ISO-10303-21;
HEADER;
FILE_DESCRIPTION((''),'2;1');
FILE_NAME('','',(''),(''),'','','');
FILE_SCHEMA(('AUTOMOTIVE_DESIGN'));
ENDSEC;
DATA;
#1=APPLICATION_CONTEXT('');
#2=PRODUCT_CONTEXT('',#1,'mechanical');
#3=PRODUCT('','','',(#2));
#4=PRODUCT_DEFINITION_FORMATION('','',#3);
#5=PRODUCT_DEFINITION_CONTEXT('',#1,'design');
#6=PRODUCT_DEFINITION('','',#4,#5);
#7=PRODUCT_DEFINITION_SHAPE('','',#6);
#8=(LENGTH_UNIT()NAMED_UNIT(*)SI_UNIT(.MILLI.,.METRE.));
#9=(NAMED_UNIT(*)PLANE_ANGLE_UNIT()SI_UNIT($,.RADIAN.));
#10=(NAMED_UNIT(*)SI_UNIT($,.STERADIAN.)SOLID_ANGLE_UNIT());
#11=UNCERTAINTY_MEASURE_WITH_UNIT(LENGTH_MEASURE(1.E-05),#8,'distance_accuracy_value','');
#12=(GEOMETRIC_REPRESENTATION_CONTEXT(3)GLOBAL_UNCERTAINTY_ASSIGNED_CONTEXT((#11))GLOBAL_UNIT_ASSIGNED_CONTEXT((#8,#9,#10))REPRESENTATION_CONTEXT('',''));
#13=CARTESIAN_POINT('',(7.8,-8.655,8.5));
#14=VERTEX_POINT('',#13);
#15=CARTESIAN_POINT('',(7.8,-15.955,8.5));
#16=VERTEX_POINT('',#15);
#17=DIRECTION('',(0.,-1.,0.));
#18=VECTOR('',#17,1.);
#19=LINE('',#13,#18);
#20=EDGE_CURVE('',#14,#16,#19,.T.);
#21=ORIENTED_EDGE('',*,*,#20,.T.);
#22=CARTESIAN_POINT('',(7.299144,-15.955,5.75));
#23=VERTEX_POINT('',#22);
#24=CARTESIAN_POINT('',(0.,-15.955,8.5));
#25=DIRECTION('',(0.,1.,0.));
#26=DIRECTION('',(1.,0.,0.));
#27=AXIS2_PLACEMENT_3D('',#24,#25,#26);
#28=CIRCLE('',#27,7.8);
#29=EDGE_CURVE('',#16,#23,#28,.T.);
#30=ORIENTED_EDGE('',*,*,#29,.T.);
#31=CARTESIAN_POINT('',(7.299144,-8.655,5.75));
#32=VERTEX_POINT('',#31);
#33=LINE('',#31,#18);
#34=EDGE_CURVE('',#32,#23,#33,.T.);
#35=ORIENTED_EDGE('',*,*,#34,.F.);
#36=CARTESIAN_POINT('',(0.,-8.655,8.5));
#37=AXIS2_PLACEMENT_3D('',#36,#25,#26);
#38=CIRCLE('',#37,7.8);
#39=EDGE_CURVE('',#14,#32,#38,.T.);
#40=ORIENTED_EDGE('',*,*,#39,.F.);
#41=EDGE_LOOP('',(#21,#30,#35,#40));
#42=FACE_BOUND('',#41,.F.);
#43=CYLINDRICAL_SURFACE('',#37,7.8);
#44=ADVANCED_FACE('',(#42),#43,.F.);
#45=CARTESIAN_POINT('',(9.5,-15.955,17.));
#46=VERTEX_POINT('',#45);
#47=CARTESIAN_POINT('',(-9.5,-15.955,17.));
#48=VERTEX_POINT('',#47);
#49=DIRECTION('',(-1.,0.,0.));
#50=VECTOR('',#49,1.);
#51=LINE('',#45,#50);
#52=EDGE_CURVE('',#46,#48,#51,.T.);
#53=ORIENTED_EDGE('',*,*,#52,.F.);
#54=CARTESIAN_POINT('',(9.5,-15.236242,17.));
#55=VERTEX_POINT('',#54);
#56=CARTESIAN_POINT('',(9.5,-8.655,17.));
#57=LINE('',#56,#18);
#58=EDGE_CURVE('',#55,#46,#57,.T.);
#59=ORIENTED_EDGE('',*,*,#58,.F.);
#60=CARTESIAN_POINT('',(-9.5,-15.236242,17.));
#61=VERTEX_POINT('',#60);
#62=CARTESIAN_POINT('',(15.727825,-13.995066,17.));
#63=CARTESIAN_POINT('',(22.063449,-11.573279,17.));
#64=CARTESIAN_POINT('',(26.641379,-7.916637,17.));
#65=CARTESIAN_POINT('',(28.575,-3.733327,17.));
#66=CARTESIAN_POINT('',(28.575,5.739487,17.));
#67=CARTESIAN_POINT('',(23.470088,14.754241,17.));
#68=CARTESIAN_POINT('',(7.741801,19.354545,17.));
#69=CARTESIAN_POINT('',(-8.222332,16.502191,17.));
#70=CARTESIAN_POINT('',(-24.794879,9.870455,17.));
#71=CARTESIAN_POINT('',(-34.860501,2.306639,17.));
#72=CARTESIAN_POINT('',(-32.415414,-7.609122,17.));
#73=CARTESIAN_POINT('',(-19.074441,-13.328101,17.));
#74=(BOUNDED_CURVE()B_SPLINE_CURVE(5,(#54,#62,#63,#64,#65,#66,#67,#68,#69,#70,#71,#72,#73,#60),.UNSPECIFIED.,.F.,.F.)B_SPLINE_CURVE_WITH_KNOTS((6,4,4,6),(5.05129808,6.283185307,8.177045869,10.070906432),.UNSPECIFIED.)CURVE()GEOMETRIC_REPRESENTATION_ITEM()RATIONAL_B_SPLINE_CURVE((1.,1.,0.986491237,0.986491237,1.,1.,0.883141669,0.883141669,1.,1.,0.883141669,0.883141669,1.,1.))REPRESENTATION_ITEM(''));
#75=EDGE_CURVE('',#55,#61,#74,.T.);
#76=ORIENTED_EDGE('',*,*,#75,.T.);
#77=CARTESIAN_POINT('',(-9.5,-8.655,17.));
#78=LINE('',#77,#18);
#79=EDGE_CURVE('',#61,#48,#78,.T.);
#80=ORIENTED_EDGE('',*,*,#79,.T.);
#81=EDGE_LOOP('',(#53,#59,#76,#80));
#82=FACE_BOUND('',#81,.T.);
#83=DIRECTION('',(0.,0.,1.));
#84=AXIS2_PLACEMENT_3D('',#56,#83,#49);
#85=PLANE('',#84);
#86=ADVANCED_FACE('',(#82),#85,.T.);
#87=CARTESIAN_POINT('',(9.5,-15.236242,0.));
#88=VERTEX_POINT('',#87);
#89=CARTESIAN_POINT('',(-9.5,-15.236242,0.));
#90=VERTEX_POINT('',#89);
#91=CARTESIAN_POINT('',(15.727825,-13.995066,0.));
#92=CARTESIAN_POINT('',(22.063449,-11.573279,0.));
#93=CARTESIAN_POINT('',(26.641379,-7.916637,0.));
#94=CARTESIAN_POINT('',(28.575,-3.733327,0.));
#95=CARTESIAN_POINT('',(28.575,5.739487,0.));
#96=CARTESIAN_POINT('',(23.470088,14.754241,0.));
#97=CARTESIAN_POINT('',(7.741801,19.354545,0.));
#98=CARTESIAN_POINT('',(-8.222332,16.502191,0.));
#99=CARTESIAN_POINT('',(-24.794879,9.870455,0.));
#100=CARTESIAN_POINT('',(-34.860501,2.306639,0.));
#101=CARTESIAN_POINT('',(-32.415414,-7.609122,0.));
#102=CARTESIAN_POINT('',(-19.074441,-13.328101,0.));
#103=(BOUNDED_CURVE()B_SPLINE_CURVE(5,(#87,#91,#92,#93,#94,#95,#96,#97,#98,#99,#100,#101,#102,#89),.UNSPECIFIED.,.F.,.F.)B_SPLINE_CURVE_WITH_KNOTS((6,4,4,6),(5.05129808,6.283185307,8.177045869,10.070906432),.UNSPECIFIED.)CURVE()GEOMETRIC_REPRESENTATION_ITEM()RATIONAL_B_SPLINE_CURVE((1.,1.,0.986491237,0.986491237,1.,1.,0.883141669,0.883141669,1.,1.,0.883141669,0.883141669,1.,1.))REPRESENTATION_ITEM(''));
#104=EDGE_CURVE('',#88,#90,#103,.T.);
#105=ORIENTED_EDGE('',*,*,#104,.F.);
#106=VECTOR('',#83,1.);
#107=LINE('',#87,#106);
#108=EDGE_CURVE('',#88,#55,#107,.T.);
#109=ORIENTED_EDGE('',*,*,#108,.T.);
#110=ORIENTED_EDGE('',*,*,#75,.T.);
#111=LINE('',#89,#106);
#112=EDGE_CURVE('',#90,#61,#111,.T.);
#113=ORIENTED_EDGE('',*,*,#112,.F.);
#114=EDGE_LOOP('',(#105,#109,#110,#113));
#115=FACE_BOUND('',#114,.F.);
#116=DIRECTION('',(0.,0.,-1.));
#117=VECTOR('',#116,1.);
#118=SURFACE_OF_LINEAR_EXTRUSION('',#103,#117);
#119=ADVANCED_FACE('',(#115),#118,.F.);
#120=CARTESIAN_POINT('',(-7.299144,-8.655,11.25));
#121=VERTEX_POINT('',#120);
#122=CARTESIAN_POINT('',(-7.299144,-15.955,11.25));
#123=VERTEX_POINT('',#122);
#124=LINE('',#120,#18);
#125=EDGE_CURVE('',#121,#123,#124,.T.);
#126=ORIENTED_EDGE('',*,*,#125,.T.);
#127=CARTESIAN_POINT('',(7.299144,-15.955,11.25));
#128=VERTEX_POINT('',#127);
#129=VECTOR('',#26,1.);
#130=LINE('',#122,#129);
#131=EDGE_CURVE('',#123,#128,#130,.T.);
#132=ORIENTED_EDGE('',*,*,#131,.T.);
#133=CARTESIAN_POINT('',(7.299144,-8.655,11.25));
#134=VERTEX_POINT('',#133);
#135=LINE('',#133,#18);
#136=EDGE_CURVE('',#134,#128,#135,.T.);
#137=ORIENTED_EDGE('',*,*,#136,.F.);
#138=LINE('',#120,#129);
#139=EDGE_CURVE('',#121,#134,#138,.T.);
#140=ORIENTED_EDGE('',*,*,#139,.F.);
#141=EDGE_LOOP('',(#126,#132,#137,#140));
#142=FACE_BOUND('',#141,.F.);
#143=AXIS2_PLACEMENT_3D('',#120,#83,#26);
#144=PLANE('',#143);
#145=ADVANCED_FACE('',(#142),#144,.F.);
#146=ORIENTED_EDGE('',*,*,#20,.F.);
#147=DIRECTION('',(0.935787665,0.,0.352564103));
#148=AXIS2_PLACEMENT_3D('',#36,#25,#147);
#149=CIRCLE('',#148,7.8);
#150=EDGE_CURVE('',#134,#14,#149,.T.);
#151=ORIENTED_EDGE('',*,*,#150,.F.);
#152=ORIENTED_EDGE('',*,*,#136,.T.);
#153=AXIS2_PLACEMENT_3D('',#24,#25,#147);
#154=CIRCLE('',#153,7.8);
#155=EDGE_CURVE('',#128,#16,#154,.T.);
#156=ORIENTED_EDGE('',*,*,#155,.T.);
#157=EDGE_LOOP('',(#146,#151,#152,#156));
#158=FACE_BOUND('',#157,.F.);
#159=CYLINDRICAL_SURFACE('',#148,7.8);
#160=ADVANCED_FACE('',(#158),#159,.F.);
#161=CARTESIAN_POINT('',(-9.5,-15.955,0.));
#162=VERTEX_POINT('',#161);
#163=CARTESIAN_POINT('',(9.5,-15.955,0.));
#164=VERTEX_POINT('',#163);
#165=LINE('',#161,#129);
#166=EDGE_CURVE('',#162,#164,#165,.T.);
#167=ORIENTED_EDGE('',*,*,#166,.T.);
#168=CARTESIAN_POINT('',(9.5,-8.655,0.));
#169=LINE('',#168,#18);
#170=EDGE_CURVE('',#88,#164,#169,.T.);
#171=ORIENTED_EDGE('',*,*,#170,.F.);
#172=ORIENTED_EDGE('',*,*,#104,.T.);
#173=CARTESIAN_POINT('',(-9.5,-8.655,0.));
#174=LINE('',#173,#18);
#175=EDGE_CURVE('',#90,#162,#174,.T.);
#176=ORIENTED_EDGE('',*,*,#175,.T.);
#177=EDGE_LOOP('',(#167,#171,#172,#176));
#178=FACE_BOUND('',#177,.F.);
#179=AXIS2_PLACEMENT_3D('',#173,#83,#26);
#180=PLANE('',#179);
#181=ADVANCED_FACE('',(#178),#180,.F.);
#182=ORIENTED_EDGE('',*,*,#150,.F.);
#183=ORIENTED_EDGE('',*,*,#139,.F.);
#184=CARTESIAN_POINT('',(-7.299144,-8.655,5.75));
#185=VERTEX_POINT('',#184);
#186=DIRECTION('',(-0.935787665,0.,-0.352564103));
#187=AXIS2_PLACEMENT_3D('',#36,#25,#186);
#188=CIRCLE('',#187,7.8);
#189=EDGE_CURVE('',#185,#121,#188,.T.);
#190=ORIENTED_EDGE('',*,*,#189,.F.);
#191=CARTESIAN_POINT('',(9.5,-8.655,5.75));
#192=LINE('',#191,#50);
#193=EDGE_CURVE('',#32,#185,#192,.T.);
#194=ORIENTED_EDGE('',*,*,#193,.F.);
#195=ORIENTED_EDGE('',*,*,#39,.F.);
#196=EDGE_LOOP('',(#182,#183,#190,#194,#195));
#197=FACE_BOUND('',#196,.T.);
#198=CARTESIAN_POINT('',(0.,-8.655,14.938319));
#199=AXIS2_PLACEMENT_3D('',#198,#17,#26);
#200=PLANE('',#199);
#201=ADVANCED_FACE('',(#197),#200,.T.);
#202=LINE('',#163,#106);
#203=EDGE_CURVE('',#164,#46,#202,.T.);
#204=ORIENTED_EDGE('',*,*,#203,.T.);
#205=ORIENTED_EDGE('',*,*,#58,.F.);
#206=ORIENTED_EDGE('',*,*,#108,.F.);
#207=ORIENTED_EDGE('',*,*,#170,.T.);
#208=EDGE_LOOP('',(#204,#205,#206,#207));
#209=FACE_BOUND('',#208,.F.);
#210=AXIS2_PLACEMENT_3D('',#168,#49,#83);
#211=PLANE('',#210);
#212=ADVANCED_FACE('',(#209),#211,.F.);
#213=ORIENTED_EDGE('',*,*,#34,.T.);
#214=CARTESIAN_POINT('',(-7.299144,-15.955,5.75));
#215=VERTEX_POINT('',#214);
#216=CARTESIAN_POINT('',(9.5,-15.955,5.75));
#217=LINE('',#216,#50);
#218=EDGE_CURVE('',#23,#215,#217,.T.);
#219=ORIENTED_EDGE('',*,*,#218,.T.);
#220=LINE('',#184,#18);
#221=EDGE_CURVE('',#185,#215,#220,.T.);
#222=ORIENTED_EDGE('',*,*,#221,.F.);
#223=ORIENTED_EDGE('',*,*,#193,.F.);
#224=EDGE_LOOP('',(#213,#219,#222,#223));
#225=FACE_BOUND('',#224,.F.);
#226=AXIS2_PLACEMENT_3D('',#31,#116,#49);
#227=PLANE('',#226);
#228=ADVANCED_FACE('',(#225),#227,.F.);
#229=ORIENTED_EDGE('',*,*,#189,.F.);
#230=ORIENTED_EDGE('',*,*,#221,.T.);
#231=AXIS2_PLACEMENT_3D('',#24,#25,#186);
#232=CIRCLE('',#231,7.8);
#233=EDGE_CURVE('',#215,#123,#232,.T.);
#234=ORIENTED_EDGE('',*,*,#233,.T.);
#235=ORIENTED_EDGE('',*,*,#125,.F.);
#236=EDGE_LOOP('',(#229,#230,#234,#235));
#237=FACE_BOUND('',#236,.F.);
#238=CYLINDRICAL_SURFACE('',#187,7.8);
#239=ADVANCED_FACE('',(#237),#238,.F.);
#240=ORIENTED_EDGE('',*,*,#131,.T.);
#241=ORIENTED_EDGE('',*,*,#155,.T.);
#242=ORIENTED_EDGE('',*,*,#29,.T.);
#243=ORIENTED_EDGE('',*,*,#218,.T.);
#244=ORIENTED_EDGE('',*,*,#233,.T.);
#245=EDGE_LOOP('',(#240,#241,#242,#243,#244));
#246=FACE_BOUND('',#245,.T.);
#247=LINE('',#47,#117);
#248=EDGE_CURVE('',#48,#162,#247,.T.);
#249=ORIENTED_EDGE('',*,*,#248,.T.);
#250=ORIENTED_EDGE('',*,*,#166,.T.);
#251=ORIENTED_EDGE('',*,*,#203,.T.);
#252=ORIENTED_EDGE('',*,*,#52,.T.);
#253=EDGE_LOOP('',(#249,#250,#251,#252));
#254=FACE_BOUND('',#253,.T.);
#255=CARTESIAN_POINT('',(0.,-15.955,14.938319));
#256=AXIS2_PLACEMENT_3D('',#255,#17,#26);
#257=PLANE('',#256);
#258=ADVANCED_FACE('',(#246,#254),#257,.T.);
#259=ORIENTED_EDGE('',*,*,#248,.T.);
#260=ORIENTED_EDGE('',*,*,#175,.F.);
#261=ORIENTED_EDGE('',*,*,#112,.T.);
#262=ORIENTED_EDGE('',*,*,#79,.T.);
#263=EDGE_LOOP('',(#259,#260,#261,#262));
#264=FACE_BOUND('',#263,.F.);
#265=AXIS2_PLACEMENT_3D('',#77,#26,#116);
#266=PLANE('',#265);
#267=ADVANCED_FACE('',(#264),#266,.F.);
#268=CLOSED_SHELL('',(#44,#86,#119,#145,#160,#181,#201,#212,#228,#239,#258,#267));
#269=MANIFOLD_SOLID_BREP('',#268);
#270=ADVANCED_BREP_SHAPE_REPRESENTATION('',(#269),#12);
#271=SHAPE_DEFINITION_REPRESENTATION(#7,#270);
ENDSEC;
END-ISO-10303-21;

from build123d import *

# Parameters (mm, degrees)
F1_DEPTH = 17
F4_DEPTH = 7.3
F5_DEPTH = 8.655


with BuildPart() as f1:
    # F0 (on Top) → F1 (new body)
    with BuildSketch(Plane.XY):
        with BuildLine():
            add(Edge.make_bspline(
                [(9.5, -15.2362421185), (28.575, -11.4346846628), (28.575, 0)],
                knots=[5.0512980802, 5.0512980802, 5.0512980802, 6.2831853072, 6.2831853072, 6.2831853072], degree=2, weights=[1, 0.8162286575, 1]))
            add(Edge.make_bspline(
                [(28.575, 0), (28.575, 31.2271565392), (-16.5086057104, 13.1863231267), (-61.5922114207, -4.8545102857), (-9.5, -15.2362421185)],
                knots=[0, 0, 0, 2.1867399403, 2.1867399403, 4.3734798805, 4.3734798805, 4.3734798805], degree=2, weights=[1, 0.4594948402, 1, 0.4594948402, 1]))
            Line((-9.5, -15.2362421185), (-9.5, 0))
            Line((-9.5, 0), (9.5, 0))
            Line((9.5, 0), (9.5, -15.2362421185))
        make_face()
    extrude(amount=F1_DEPTH)

    # F3 (on offset) → F4 (join)
    with BuildSketch(Plane.XZ.offset(8.655)):
        with BuildLine():
            Line((9.5, 17), (-9.5, 17))
            Line((-9.5, 17), (-9.5, 11.25))
            Line((-9.5, 11.25), (-7.2991437854, 11.25))
            ThreePointArc((-7.2991437854, 11.25), (0, 16.3), (7.2991437854, 11.25))
            Line((7.2991437854, 11.25), (9.5, 11.25))
            Line((9.5, 11.25), (9.5, 17))
        make_face()
        with BuildLine():
            Line((-7.2991437854, 11.25), (-9.5, 11.25))
            Line((-9.5, 11.25), (-9.5, 5.75))
            Line((-9.5, 5.75), (-7.2991437854, 5.75))
            ThreePointArc((-7.2991437854, 5.75), (-7.8, 8.5), (-7.2991437854, 11.25))
        make_face()
        with BuildLine():
            Line((-7.2991437854, 5.75), (-9.5, 5.75))
            Line((-9.5, 5.75), (-9.5, 0))
            Line((-9.5, 0), (9.5, 0))
            Line((9.5, 0), (9.5, 5.75))
            Line((9.5, 5.75), (7.2991437854, 5.75))
            ThreePointArc((7.2991437854, 5.75), (0, 0.7), (-7.2991437854, 5.75))
        make_face()
        with BuildLine():
            Line((7.2991437854, 5.75), (-7.2991437854, 5.75))
            ThreePointArc((-7.2991437854, 5.75), (0, 0.7), (7.2991437854, 5.75))
        make_face()
        with BuildLine():
            ThreePointArc((7.2991437854, 11.25), (0, 16.3), (-7.2991437854, 11.25))
            Line((-7.2991437854, 11.25), (7.2991437854, 11.25))
        make_face()
        with BuildLine():
            Line((9.5, 5.75), (9.5, 11.25))
            Line((9.5, 11.25), (7.2991437854, 11.25))
            ThreePointArc((7.2991437854, 11.25), (7.6737644454, 9.8976191316), (7.8, 8.5))
            ThreePointArc((7.8, 8.5), (7.6737644454, 7.1023808684), (7.2991437854, 5.75))
            Line((7.2991437854, 5.75), (9.5, 5.75))
        make_face()
    extrude(amount=F4_DEPTH)

    # F3 (on offset) → F5 (join, through all)
    with BuildSketch(Plane.XZ.offset(8.655)):
        with BuildLine():
            Line((9.5, 17), (-9.5, 17))
            Line((-9.5, 17), (-9.5, 11.25))
            Line((-9.5, 11.25), (-7.2991437854, 11.25))
            ThreePointArc((-7.2991437854, 11.25), (0, 16.3), (7.2991437854, 11.25))
            Line((7.2991437854, 11.25), (9.5, 11.25))
            Line((9.5, 11.25), (9.5, 17))
        make_face()
        with BuildLine():
            ThreePointArc((7.2991437854, 11.25), (0, 16.3), (-7.2991437854, 11.25))
            Line((-7.2991437854, 11.25), (7.2991437854, 11.25))
        make_face()
        with BuildLine():
            Line((7.2991437854, 11.25), (-7.2991437854, 11.25))
            ThreePointArc((-7.2991437854, 11.25), (-7.8, 8.5), (-7.2991437854, 5.75))
            Line((-7.2991437854, 5.75), (7.2991437854, 5.75))
            ThreePointArc((7.2991437854, 5.75), (7.6737644454, 7.1023808684), (7.8, 8.5))
            ThreePointArc((7.8, 8.5), (7.6737644454, 9.8976191316), (7.2991437854, 11.25))
        make_face()
        with BuildLine():
            Line((-7.2991437854, 11.25), (-9.5, 11.25))
            Line((-9.5, 11.25), (-9.5, 5.75))
            Line((-9.5, 5.75), (-7.2991437854, 5.75))
            ThreePointArc((-7.2991437854, 5.75), (-7.8, 8.5), (-7.2991437854, 11.25))
        make_face()
        with BuildLine():
            Line((-7.2991437854, 5.75), (-9.5, 5.75))
            Line((-9.5, 5.75), (-9.5, 0))
            Line((-9.5, 0), (9.5, 0))
            Line((9.5, 0), (9.5, 5.75))
            Line((9.5, 5.75), (7.2991437854, 5.75))
            ThreePointArc((7.2991437854, 5.75), (0, 0.7), (-7.2991437854, 5.75))
        make_face()
        with BuildLine():
            Line((7.2991437854, 5.75), (-7.2991437854, 5.75))
            ThreePointArc((-7.2991437854, 5.75), (0, 0.7), (7.2991437854, 5.75))
        make_face()
        with BuildLine():
            Line((9.5, 5.75), (9.5, 11.25))
            Line((9.5, 11.25), (7.2991437854, 11.25))
            ThreePointArc((7.2991437854, 11.25), (7.6737644454, 9.8976191316), (7.8, 8.5))
            ThreePointArc((7.8, 8.5), (7.6737644454, 7.1023808684), (7.2991437854, 5.75))
            Line((7.2991437854, 5.75), (9.5, 5.75))
        make_face()
    extrude(amount=-F5_DEPTH)


solid = f1.part
